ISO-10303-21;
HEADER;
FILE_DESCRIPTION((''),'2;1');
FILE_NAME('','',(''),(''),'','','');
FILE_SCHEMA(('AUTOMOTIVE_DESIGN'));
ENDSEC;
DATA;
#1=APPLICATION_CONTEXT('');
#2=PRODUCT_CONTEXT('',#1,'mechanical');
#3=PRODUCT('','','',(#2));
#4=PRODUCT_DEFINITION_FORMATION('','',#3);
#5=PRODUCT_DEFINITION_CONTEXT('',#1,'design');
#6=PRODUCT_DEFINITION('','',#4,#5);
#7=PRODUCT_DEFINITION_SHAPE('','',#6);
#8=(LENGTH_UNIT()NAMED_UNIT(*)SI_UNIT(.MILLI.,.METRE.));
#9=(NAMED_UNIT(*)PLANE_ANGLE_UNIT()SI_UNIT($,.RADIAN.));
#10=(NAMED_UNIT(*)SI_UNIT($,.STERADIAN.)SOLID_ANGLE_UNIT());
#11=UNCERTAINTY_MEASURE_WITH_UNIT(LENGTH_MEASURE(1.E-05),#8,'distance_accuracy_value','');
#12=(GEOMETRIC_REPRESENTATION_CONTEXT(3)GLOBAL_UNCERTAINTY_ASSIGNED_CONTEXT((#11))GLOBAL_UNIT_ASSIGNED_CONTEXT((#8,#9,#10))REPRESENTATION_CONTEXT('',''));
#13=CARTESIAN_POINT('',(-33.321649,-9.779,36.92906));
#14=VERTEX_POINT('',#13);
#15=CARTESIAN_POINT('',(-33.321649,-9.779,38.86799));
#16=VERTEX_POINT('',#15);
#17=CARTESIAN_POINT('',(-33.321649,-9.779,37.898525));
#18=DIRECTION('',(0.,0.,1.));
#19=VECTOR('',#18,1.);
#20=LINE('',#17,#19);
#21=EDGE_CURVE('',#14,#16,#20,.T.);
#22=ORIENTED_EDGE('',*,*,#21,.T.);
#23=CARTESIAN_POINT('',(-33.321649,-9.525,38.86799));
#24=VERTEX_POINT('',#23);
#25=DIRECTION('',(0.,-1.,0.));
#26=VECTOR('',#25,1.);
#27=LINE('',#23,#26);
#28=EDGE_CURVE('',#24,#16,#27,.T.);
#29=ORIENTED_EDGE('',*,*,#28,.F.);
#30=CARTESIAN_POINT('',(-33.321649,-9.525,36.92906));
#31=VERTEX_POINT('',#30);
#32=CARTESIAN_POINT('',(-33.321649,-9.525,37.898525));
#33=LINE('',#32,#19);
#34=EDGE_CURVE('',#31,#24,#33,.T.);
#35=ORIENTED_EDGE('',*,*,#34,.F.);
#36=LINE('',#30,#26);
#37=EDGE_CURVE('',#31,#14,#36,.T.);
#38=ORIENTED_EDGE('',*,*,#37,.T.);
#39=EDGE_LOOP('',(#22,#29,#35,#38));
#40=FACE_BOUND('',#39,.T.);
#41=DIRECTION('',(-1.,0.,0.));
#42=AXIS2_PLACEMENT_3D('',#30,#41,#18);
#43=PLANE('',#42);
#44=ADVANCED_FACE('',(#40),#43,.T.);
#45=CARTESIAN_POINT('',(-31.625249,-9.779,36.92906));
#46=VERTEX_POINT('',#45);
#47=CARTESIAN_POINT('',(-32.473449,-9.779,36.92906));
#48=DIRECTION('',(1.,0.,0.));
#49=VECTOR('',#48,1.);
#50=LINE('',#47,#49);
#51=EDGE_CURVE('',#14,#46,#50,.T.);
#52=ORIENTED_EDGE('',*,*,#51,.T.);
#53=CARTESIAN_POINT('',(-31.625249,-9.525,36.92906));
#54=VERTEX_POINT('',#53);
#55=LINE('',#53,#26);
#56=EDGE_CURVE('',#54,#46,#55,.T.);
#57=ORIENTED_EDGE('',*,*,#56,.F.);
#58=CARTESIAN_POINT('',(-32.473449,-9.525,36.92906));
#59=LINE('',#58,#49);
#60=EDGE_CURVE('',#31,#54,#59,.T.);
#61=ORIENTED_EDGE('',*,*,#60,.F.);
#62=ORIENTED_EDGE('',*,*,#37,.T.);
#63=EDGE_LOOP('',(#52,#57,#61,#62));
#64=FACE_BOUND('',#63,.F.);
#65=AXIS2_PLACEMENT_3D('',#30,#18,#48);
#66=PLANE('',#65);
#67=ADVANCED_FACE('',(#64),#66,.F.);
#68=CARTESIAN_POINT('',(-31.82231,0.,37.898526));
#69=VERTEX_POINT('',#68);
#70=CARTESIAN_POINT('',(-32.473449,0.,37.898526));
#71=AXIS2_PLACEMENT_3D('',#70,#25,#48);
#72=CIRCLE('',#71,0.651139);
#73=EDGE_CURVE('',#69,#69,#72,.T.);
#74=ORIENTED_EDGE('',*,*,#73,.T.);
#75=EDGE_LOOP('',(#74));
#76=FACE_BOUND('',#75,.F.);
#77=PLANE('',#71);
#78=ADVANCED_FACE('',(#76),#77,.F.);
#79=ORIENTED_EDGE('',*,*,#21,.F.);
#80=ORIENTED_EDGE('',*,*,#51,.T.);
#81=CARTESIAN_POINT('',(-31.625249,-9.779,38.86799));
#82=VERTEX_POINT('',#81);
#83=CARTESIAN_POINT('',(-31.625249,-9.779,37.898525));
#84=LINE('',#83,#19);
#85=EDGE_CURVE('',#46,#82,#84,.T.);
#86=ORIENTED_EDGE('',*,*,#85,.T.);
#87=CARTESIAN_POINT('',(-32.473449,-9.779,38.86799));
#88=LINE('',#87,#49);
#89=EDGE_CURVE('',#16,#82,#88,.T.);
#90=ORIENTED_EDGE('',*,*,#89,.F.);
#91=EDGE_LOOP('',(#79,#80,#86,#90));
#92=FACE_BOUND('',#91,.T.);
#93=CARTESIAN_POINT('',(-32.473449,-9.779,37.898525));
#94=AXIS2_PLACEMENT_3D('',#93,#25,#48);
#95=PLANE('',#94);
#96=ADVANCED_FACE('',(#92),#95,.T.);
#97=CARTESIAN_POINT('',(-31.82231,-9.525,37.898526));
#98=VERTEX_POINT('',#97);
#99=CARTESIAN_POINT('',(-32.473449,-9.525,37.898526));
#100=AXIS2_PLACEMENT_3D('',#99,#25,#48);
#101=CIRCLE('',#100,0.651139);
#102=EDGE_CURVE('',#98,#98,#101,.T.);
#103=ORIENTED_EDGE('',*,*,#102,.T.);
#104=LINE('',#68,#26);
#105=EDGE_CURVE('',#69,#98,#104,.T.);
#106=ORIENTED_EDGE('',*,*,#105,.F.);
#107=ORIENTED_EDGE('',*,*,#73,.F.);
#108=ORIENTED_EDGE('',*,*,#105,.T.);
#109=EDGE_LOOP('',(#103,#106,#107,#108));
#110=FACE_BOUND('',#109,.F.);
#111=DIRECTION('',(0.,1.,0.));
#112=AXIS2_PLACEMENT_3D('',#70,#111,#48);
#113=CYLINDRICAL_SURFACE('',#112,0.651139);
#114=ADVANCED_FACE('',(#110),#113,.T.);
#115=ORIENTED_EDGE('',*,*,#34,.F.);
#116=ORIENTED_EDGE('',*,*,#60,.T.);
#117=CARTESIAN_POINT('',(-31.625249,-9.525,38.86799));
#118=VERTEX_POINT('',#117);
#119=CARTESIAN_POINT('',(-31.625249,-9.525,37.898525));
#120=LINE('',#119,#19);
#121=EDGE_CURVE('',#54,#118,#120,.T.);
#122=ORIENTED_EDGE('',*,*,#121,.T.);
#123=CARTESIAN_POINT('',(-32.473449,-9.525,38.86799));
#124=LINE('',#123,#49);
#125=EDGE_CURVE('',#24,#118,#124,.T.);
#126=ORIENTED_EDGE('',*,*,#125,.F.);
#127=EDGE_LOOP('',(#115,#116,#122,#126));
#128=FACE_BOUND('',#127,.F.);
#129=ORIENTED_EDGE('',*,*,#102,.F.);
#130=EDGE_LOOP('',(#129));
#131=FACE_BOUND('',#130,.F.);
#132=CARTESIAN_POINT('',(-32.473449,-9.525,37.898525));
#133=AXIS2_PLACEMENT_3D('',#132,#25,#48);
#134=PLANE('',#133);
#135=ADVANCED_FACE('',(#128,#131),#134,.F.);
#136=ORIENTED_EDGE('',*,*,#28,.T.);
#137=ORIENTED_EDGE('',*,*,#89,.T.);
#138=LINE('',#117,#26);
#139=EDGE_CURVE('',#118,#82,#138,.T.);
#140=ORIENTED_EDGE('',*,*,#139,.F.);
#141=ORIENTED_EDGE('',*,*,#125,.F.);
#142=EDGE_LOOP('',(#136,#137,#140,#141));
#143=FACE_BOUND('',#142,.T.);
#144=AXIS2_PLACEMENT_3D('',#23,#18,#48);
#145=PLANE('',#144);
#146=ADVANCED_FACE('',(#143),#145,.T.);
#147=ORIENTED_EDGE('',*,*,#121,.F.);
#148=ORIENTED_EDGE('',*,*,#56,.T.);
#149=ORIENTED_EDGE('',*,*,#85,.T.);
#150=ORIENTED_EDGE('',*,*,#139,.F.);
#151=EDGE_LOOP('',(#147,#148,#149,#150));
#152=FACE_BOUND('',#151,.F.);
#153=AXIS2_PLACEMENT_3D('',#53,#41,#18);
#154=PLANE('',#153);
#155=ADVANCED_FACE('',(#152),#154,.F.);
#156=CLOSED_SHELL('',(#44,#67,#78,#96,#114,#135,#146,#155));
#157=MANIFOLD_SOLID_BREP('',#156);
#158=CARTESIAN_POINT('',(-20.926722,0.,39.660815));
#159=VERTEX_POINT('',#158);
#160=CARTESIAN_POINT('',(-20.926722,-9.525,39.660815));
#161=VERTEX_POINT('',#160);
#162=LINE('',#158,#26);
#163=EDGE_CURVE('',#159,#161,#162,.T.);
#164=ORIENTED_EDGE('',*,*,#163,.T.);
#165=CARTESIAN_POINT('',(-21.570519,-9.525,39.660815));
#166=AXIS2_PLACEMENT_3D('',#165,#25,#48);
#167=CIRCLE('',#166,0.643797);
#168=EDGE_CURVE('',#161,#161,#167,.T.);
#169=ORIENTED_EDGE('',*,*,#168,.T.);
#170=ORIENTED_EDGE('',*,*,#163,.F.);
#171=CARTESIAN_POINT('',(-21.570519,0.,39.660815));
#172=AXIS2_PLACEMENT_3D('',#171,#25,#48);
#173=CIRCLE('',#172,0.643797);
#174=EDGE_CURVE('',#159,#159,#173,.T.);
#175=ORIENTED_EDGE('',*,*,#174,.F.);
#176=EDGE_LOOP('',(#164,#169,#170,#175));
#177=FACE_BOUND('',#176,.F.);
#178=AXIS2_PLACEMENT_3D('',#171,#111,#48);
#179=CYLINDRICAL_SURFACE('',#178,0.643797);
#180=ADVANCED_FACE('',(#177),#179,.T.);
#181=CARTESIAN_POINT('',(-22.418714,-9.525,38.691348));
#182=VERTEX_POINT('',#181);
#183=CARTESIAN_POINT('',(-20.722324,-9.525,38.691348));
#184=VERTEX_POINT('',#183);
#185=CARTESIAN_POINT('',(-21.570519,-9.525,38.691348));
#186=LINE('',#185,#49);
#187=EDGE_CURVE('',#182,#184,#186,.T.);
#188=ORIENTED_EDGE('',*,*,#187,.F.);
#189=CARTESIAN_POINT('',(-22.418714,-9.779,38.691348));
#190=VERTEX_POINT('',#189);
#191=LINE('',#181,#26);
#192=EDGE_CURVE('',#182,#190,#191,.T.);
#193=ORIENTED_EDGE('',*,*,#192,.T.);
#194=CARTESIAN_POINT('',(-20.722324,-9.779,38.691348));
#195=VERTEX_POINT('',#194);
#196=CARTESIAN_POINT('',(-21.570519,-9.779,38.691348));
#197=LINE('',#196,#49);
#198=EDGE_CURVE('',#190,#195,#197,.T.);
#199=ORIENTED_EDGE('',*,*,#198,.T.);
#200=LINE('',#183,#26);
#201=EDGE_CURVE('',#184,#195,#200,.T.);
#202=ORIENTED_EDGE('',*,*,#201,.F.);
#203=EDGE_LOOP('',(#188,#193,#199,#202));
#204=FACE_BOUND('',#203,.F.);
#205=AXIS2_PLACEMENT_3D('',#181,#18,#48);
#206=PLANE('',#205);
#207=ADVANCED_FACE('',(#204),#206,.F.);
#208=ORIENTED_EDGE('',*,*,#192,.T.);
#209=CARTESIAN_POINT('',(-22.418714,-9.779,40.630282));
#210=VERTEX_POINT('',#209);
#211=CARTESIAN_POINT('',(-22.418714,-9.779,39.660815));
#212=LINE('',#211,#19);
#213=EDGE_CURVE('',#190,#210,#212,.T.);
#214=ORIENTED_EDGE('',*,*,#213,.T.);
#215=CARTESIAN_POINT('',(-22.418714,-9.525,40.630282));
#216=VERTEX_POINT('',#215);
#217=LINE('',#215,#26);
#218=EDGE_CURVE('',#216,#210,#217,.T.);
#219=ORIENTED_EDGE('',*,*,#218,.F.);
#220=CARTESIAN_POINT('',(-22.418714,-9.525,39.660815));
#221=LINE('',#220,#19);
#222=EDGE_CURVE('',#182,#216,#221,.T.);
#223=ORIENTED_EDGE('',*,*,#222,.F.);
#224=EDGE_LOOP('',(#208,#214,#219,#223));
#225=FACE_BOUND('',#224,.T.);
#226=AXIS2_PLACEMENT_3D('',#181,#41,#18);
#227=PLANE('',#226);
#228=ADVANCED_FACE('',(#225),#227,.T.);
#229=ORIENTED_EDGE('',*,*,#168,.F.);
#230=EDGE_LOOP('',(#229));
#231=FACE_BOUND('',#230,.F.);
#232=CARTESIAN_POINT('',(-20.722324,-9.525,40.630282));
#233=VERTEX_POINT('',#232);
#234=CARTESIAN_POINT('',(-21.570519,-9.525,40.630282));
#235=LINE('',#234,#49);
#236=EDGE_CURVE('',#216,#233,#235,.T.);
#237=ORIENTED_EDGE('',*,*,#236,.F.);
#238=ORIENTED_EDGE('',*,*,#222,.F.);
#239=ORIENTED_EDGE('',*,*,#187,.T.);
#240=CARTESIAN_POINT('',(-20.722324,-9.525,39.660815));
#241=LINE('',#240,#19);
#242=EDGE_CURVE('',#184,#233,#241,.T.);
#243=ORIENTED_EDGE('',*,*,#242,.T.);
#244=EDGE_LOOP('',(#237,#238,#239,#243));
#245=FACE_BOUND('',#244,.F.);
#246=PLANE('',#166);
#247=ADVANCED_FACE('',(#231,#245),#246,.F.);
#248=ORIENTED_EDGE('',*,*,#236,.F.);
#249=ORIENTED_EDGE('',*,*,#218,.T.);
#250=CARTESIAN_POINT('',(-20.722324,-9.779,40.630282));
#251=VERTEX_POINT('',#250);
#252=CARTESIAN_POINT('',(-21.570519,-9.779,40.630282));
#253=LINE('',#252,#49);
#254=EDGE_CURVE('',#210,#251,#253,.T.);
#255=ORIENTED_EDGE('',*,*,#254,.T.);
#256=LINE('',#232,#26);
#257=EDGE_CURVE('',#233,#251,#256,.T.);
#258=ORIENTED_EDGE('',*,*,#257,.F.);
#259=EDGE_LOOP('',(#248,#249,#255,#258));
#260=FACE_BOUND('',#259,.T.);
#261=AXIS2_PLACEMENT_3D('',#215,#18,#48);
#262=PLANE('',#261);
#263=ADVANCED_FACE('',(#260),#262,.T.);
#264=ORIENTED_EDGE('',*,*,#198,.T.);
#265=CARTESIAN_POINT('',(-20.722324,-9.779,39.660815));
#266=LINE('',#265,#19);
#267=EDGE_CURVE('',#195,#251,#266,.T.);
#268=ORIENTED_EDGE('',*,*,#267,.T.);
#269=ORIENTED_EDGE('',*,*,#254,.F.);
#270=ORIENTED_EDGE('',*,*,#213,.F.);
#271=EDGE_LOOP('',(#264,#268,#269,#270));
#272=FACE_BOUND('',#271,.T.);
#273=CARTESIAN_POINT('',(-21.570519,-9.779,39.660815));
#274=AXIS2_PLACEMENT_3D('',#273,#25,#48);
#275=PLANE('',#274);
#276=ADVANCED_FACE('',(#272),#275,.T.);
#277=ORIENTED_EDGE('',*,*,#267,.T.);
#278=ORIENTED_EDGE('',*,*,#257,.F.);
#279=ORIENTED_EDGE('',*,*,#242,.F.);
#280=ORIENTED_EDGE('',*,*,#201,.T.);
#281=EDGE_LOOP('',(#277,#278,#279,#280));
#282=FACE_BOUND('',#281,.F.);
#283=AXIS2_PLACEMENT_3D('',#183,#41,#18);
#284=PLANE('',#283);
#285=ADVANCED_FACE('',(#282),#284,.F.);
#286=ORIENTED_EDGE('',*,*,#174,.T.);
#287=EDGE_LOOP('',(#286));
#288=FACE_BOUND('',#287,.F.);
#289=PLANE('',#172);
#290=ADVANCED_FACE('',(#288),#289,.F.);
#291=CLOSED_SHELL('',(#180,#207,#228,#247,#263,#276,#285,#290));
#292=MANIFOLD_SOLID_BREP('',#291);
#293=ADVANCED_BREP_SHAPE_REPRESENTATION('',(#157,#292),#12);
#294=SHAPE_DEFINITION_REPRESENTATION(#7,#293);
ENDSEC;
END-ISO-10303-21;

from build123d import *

# Parameters (mm, degrees)
F0_R     = 0.643797
F0_R_2   = 0.651139
F1_DEPTH = 9.525
F2_W     = 1.696401
F2_H     = 1.938931
F2_R     = 0.651139
F2_W_2   = 1.69639
F2_H_2   = 1.938934
F2_R_2   = 0.643797
F3_DEPTH = 0.254


with BuildPart() as f1:
    # F0 (on Front) → F1 (new body)
    with BuildSketch(Plane.XZ):
        with Locations((-21.570519, 39.660815)):
            Circle(F0_R)
        with Locations((-32.473449, 37.898526)):
            Circle(F0_R_2)
    extrude(amount=F1_DEPTH)

    # F2 (on face) → F3 (join)
    with BuildSketch(Plane.XZ.offset(9.525)):
        with Locations((-32.473449, 37.898525)):
            Rectangle(F2_W, F2_H)
        with Locations((-32.473449, 37.898526)):
            Circle(F2_R, mode=Mode.SUBTRACT)
        with Locations((-21.570519, 39.660815)):
            Rectangle(F2_W_2, F2_H_2)
        with Locations((-21.570519, 39.660815)):
            Circle(F2_R_2, mode=Mode.SUBTRACT)
        with Locations((-21.570519, 39.660815)):
            Circle(F2_R_2)
        with Locations((-32.473449, 37.898526)):
            Circle(F2_R)
    extrude(amount=F3_DEPTH)


solid = f1.part
